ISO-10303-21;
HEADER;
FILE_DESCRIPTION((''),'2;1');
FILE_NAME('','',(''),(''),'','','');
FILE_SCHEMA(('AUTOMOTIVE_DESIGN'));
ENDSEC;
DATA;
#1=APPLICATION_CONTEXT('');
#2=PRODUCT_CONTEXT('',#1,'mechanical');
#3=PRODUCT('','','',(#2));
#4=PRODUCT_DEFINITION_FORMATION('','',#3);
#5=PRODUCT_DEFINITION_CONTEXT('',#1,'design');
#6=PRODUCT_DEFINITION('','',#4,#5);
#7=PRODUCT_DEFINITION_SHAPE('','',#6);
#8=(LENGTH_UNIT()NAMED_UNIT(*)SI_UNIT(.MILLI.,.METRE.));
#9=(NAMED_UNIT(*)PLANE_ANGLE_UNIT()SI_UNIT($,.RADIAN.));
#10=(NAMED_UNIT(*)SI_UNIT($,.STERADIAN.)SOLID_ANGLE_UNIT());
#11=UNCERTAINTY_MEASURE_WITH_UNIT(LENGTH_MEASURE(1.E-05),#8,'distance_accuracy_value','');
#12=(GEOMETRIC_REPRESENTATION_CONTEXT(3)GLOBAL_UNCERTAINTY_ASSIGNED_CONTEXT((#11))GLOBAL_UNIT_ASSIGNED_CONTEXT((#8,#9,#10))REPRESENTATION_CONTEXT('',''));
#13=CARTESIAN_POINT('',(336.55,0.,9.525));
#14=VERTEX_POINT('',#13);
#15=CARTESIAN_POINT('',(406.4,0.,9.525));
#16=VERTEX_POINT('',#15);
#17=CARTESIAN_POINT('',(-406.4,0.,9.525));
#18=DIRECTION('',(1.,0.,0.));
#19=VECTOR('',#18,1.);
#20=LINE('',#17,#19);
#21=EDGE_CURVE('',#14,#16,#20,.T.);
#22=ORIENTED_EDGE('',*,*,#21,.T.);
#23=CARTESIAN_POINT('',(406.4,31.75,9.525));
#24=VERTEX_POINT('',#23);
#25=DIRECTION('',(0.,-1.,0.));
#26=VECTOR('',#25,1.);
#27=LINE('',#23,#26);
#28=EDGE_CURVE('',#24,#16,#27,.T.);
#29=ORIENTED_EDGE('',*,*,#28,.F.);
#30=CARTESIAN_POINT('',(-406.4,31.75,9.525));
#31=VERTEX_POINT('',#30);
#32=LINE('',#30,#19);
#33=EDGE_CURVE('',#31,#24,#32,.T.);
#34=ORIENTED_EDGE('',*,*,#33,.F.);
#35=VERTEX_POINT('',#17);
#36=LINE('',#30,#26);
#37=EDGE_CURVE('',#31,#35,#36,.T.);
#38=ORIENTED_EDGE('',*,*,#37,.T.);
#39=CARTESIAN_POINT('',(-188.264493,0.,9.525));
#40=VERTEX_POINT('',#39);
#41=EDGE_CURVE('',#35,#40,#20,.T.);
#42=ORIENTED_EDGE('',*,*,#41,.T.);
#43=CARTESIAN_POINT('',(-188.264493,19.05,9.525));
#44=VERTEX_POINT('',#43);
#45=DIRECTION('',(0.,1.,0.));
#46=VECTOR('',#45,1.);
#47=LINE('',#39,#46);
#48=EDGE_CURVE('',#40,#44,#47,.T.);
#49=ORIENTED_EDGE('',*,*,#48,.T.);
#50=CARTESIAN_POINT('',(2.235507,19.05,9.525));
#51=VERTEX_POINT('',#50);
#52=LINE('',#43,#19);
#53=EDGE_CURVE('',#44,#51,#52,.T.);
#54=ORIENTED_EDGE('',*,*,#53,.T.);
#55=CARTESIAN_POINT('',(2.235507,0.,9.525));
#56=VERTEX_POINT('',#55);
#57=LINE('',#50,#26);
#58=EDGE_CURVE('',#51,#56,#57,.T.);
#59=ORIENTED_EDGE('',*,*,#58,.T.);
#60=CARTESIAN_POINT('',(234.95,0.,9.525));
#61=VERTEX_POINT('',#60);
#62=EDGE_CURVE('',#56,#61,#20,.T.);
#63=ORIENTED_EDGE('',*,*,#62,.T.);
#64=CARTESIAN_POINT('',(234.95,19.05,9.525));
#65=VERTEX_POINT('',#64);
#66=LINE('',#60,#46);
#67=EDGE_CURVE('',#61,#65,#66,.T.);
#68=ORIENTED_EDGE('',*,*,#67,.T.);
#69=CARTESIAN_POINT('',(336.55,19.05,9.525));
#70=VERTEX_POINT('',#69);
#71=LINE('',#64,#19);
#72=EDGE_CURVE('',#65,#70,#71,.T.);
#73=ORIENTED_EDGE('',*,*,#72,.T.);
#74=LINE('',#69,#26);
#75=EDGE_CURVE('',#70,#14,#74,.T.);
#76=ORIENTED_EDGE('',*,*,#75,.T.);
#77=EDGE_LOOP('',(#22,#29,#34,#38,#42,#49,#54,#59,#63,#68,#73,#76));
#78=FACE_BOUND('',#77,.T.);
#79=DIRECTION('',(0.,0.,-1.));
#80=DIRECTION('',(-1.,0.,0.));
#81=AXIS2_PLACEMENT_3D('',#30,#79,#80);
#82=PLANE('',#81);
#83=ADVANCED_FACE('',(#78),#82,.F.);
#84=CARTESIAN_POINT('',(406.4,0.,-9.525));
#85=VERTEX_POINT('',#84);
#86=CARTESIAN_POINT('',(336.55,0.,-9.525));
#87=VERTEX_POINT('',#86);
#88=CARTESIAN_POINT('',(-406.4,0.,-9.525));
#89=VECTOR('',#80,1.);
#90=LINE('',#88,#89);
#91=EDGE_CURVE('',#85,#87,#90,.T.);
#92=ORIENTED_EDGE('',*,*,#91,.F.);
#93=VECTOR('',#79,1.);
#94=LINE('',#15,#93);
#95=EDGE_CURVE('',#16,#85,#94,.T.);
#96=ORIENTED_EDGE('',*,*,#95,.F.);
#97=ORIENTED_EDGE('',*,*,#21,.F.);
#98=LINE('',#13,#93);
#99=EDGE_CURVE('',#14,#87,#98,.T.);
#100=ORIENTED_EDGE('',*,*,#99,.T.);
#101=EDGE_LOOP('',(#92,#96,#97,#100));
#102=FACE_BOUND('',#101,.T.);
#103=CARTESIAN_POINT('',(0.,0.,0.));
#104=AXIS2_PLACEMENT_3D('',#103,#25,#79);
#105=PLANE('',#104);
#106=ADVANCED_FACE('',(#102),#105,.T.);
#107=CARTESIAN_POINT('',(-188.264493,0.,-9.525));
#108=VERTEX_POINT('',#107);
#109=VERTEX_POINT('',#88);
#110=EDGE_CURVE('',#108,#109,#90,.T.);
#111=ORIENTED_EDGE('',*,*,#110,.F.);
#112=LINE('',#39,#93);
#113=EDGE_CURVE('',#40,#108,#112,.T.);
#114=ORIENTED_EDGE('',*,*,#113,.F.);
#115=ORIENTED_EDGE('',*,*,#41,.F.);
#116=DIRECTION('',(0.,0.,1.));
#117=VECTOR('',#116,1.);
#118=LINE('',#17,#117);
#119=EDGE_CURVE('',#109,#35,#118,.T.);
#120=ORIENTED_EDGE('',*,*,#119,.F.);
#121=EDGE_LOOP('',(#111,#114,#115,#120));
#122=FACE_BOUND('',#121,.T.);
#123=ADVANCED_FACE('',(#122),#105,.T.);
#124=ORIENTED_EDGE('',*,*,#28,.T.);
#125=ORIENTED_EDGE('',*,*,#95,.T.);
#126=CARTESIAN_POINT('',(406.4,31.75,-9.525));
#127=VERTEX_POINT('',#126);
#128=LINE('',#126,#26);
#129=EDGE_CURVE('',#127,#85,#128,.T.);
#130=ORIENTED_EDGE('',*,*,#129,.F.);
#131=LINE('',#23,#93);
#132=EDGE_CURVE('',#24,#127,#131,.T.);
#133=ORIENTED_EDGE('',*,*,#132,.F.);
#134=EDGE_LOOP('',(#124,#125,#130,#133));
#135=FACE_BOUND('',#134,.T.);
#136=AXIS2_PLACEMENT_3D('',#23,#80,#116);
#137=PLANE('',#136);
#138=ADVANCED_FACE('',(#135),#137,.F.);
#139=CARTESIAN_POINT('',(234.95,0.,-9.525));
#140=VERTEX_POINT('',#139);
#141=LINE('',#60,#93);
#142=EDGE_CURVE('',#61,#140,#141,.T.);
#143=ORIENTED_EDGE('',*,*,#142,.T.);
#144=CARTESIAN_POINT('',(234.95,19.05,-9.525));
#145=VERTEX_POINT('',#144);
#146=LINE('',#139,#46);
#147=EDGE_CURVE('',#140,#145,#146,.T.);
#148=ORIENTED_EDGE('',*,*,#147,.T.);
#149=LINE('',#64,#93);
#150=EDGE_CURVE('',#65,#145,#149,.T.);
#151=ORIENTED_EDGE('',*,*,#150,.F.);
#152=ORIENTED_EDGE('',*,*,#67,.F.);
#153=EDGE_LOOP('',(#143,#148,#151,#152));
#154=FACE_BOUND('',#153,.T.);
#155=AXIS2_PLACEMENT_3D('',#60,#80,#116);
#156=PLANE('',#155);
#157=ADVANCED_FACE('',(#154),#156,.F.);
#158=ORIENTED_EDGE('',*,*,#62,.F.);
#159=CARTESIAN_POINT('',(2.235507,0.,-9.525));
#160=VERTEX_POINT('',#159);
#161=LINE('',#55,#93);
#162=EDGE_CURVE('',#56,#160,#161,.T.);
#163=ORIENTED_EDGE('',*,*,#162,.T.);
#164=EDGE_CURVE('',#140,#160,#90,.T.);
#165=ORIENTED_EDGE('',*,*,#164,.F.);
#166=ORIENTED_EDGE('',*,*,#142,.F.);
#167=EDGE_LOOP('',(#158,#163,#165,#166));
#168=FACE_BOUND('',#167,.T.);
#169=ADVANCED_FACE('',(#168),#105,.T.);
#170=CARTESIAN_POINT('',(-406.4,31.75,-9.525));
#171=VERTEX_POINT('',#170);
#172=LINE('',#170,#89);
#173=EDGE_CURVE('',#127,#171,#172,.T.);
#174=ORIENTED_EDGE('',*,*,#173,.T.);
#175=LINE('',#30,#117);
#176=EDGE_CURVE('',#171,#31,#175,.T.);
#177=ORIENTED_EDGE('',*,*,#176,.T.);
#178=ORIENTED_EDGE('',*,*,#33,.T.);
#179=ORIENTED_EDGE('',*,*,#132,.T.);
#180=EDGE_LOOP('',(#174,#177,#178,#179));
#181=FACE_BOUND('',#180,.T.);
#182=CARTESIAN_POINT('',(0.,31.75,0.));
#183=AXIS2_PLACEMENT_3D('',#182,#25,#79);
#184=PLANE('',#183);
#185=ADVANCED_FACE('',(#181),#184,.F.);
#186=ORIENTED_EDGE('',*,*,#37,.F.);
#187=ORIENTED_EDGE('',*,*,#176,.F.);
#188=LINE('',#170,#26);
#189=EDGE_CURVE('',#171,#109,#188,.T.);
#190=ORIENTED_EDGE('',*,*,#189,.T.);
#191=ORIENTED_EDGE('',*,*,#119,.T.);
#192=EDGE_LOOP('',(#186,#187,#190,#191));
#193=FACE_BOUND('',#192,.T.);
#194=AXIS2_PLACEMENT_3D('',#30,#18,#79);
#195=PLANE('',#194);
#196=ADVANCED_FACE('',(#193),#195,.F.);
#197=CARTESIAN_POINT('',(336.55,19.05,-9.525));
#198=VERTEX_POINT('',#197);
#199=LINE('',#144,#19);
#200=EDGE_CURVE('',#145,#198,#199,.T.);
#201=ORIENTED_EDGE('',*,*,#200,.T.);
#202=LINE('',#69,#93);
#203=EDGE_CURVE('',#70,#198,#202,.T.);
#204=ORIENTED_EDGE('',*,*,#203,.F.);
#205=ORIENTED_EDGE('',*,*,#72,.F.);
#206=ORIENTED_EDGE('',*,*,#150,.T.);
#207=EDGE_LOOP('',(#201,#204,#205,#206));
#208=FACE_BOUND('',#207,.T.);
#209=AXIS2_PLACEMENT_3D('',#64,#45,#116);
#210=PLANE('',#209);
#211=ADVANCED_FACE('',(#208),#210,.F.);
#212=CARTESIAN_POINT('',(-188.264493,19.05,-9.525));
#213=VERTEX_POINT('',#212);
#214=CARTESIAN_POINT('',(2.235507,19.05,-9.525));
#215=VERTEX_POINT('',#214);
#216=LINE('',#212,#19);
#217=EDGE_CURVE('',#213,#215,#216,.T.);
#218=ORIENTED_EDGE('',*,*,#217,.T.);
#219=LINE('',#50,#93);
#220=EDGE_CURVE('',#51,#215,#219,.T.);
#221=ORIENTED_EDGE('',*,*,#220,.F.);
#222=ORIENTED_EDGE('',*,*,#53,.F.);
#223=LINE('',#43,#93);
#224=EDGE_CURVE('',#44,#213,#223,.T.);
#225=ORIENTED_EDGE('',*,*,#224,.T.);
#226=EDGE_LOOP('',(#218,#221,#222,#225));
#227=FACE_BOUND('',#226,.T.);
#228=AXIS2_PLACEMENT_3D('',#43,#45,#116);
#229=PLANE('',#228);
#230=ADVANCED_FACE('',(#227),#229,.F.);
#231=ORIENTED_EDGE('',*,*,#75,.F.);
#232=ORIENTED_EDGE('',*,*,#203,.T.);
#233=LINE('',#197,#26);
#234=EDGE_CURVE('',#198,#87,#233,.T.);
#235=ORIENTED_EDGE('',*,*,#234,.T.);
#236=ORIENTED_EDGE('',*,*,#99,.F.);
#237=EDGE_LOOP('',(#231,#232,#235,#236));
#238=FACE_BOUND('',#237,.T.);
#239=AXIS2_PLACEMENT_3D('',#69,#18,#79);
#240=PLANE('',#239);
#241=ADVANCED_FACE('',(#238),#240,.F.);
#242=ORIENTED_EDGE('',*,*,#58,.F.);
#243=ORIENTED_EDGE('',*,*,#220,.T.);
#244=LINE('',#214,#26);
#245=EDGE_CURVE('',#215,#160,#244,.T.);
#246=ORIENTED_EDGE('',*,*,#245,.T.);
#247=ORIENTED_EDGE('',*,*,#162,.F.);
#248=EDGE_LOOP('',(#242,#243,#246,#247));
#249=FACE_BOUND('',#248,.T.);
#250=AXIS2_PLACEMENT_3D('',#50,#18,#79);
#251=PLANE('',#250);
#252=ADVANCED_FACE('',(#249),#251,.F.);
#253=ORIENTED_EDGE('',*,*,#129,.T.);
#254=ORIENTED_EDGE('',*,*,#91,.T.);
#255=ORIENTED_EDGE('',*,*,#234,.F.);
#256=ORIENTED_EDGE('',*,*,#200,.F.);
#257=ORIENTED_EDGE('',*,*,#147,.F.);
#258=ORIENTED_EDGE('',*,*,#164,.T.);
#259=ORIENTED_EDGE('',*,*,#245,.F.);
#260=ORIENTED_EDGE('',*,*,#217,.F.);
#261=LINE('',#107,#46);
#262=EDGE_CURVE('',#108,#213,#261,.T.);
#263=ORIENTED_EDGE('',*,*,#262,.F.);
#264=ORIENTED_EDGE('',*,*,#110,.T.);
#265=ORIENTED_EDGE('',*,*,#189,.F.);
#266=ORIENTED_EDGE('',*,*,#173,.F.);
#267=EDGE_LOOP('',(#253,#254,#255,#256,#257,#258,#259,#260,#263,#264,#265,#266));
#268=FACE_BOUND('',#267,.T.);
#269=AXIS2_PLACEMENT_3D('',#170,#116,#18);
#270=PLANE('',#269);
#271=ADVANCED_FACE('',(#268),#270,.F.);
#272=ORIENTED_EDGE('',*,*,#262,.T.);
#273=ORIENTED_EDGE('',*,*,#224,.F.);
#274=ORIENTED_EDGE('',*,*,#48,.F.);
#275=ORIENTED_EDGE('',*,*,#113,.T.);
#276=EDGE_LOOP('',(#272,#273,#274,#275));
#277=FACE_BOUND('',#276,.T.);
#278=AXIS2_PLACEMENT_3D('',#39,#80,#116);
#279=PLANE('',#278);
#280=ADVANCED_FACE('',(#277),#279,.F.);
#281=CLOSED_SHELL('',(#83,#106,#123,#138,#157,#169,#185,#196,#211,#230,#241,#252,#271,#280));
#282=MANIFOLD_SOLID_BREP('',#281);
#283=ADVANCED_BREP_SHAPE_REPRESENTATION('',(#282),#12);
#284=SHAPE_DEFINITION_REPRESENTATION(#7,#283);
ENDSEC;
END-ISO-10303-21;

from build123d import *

# Parameters (mm, degrees)
SKETCH1_W           = 812.8
SKETCH1_H           = 19.05
BOSS_EXTRUDE1_DEPTH = 31.75
SKETCH2_W           = 101.6
SKETCH2_H           = 19.05
SKETCH2_W_2         = 190.5
CUT_EXTRUDE1_DEPTH  = 409.083232932


with BuildPart() as part:
    # Sketch1 → Boss-Extrude1 (new body)
    with BuildSketch(Plane(origin=(0, 0, 0), x_dir=(1, 0, 0), z_dir=(0, 1, 0))):
        Rectangle(SKETCH1_W, SKETCH1_H)
    extrude(amount=BOSS_EXTRUDE1_DEPTH)

    # Sketch2 → Cut-Extrude1 (cut, through all)
    with BuildSketch(Plane(origin=(0, 0, -9.525), x_dir=(-1, 0, 0), z_dir=(0, 0, -1))):
        with Locations((-285.75, 9.525)):
            Rectangle(SKETCH2_W, SKETCH2_H)
        with Locations((93.014493473, 9.525)):
            Rectangle(SKETCH2_W_2, SKETCH2_H)
    extrude(amount=-CUT_EXTRUDE1_DEPTH, mode=Mode.SUBTRACT)


solid = part.part
